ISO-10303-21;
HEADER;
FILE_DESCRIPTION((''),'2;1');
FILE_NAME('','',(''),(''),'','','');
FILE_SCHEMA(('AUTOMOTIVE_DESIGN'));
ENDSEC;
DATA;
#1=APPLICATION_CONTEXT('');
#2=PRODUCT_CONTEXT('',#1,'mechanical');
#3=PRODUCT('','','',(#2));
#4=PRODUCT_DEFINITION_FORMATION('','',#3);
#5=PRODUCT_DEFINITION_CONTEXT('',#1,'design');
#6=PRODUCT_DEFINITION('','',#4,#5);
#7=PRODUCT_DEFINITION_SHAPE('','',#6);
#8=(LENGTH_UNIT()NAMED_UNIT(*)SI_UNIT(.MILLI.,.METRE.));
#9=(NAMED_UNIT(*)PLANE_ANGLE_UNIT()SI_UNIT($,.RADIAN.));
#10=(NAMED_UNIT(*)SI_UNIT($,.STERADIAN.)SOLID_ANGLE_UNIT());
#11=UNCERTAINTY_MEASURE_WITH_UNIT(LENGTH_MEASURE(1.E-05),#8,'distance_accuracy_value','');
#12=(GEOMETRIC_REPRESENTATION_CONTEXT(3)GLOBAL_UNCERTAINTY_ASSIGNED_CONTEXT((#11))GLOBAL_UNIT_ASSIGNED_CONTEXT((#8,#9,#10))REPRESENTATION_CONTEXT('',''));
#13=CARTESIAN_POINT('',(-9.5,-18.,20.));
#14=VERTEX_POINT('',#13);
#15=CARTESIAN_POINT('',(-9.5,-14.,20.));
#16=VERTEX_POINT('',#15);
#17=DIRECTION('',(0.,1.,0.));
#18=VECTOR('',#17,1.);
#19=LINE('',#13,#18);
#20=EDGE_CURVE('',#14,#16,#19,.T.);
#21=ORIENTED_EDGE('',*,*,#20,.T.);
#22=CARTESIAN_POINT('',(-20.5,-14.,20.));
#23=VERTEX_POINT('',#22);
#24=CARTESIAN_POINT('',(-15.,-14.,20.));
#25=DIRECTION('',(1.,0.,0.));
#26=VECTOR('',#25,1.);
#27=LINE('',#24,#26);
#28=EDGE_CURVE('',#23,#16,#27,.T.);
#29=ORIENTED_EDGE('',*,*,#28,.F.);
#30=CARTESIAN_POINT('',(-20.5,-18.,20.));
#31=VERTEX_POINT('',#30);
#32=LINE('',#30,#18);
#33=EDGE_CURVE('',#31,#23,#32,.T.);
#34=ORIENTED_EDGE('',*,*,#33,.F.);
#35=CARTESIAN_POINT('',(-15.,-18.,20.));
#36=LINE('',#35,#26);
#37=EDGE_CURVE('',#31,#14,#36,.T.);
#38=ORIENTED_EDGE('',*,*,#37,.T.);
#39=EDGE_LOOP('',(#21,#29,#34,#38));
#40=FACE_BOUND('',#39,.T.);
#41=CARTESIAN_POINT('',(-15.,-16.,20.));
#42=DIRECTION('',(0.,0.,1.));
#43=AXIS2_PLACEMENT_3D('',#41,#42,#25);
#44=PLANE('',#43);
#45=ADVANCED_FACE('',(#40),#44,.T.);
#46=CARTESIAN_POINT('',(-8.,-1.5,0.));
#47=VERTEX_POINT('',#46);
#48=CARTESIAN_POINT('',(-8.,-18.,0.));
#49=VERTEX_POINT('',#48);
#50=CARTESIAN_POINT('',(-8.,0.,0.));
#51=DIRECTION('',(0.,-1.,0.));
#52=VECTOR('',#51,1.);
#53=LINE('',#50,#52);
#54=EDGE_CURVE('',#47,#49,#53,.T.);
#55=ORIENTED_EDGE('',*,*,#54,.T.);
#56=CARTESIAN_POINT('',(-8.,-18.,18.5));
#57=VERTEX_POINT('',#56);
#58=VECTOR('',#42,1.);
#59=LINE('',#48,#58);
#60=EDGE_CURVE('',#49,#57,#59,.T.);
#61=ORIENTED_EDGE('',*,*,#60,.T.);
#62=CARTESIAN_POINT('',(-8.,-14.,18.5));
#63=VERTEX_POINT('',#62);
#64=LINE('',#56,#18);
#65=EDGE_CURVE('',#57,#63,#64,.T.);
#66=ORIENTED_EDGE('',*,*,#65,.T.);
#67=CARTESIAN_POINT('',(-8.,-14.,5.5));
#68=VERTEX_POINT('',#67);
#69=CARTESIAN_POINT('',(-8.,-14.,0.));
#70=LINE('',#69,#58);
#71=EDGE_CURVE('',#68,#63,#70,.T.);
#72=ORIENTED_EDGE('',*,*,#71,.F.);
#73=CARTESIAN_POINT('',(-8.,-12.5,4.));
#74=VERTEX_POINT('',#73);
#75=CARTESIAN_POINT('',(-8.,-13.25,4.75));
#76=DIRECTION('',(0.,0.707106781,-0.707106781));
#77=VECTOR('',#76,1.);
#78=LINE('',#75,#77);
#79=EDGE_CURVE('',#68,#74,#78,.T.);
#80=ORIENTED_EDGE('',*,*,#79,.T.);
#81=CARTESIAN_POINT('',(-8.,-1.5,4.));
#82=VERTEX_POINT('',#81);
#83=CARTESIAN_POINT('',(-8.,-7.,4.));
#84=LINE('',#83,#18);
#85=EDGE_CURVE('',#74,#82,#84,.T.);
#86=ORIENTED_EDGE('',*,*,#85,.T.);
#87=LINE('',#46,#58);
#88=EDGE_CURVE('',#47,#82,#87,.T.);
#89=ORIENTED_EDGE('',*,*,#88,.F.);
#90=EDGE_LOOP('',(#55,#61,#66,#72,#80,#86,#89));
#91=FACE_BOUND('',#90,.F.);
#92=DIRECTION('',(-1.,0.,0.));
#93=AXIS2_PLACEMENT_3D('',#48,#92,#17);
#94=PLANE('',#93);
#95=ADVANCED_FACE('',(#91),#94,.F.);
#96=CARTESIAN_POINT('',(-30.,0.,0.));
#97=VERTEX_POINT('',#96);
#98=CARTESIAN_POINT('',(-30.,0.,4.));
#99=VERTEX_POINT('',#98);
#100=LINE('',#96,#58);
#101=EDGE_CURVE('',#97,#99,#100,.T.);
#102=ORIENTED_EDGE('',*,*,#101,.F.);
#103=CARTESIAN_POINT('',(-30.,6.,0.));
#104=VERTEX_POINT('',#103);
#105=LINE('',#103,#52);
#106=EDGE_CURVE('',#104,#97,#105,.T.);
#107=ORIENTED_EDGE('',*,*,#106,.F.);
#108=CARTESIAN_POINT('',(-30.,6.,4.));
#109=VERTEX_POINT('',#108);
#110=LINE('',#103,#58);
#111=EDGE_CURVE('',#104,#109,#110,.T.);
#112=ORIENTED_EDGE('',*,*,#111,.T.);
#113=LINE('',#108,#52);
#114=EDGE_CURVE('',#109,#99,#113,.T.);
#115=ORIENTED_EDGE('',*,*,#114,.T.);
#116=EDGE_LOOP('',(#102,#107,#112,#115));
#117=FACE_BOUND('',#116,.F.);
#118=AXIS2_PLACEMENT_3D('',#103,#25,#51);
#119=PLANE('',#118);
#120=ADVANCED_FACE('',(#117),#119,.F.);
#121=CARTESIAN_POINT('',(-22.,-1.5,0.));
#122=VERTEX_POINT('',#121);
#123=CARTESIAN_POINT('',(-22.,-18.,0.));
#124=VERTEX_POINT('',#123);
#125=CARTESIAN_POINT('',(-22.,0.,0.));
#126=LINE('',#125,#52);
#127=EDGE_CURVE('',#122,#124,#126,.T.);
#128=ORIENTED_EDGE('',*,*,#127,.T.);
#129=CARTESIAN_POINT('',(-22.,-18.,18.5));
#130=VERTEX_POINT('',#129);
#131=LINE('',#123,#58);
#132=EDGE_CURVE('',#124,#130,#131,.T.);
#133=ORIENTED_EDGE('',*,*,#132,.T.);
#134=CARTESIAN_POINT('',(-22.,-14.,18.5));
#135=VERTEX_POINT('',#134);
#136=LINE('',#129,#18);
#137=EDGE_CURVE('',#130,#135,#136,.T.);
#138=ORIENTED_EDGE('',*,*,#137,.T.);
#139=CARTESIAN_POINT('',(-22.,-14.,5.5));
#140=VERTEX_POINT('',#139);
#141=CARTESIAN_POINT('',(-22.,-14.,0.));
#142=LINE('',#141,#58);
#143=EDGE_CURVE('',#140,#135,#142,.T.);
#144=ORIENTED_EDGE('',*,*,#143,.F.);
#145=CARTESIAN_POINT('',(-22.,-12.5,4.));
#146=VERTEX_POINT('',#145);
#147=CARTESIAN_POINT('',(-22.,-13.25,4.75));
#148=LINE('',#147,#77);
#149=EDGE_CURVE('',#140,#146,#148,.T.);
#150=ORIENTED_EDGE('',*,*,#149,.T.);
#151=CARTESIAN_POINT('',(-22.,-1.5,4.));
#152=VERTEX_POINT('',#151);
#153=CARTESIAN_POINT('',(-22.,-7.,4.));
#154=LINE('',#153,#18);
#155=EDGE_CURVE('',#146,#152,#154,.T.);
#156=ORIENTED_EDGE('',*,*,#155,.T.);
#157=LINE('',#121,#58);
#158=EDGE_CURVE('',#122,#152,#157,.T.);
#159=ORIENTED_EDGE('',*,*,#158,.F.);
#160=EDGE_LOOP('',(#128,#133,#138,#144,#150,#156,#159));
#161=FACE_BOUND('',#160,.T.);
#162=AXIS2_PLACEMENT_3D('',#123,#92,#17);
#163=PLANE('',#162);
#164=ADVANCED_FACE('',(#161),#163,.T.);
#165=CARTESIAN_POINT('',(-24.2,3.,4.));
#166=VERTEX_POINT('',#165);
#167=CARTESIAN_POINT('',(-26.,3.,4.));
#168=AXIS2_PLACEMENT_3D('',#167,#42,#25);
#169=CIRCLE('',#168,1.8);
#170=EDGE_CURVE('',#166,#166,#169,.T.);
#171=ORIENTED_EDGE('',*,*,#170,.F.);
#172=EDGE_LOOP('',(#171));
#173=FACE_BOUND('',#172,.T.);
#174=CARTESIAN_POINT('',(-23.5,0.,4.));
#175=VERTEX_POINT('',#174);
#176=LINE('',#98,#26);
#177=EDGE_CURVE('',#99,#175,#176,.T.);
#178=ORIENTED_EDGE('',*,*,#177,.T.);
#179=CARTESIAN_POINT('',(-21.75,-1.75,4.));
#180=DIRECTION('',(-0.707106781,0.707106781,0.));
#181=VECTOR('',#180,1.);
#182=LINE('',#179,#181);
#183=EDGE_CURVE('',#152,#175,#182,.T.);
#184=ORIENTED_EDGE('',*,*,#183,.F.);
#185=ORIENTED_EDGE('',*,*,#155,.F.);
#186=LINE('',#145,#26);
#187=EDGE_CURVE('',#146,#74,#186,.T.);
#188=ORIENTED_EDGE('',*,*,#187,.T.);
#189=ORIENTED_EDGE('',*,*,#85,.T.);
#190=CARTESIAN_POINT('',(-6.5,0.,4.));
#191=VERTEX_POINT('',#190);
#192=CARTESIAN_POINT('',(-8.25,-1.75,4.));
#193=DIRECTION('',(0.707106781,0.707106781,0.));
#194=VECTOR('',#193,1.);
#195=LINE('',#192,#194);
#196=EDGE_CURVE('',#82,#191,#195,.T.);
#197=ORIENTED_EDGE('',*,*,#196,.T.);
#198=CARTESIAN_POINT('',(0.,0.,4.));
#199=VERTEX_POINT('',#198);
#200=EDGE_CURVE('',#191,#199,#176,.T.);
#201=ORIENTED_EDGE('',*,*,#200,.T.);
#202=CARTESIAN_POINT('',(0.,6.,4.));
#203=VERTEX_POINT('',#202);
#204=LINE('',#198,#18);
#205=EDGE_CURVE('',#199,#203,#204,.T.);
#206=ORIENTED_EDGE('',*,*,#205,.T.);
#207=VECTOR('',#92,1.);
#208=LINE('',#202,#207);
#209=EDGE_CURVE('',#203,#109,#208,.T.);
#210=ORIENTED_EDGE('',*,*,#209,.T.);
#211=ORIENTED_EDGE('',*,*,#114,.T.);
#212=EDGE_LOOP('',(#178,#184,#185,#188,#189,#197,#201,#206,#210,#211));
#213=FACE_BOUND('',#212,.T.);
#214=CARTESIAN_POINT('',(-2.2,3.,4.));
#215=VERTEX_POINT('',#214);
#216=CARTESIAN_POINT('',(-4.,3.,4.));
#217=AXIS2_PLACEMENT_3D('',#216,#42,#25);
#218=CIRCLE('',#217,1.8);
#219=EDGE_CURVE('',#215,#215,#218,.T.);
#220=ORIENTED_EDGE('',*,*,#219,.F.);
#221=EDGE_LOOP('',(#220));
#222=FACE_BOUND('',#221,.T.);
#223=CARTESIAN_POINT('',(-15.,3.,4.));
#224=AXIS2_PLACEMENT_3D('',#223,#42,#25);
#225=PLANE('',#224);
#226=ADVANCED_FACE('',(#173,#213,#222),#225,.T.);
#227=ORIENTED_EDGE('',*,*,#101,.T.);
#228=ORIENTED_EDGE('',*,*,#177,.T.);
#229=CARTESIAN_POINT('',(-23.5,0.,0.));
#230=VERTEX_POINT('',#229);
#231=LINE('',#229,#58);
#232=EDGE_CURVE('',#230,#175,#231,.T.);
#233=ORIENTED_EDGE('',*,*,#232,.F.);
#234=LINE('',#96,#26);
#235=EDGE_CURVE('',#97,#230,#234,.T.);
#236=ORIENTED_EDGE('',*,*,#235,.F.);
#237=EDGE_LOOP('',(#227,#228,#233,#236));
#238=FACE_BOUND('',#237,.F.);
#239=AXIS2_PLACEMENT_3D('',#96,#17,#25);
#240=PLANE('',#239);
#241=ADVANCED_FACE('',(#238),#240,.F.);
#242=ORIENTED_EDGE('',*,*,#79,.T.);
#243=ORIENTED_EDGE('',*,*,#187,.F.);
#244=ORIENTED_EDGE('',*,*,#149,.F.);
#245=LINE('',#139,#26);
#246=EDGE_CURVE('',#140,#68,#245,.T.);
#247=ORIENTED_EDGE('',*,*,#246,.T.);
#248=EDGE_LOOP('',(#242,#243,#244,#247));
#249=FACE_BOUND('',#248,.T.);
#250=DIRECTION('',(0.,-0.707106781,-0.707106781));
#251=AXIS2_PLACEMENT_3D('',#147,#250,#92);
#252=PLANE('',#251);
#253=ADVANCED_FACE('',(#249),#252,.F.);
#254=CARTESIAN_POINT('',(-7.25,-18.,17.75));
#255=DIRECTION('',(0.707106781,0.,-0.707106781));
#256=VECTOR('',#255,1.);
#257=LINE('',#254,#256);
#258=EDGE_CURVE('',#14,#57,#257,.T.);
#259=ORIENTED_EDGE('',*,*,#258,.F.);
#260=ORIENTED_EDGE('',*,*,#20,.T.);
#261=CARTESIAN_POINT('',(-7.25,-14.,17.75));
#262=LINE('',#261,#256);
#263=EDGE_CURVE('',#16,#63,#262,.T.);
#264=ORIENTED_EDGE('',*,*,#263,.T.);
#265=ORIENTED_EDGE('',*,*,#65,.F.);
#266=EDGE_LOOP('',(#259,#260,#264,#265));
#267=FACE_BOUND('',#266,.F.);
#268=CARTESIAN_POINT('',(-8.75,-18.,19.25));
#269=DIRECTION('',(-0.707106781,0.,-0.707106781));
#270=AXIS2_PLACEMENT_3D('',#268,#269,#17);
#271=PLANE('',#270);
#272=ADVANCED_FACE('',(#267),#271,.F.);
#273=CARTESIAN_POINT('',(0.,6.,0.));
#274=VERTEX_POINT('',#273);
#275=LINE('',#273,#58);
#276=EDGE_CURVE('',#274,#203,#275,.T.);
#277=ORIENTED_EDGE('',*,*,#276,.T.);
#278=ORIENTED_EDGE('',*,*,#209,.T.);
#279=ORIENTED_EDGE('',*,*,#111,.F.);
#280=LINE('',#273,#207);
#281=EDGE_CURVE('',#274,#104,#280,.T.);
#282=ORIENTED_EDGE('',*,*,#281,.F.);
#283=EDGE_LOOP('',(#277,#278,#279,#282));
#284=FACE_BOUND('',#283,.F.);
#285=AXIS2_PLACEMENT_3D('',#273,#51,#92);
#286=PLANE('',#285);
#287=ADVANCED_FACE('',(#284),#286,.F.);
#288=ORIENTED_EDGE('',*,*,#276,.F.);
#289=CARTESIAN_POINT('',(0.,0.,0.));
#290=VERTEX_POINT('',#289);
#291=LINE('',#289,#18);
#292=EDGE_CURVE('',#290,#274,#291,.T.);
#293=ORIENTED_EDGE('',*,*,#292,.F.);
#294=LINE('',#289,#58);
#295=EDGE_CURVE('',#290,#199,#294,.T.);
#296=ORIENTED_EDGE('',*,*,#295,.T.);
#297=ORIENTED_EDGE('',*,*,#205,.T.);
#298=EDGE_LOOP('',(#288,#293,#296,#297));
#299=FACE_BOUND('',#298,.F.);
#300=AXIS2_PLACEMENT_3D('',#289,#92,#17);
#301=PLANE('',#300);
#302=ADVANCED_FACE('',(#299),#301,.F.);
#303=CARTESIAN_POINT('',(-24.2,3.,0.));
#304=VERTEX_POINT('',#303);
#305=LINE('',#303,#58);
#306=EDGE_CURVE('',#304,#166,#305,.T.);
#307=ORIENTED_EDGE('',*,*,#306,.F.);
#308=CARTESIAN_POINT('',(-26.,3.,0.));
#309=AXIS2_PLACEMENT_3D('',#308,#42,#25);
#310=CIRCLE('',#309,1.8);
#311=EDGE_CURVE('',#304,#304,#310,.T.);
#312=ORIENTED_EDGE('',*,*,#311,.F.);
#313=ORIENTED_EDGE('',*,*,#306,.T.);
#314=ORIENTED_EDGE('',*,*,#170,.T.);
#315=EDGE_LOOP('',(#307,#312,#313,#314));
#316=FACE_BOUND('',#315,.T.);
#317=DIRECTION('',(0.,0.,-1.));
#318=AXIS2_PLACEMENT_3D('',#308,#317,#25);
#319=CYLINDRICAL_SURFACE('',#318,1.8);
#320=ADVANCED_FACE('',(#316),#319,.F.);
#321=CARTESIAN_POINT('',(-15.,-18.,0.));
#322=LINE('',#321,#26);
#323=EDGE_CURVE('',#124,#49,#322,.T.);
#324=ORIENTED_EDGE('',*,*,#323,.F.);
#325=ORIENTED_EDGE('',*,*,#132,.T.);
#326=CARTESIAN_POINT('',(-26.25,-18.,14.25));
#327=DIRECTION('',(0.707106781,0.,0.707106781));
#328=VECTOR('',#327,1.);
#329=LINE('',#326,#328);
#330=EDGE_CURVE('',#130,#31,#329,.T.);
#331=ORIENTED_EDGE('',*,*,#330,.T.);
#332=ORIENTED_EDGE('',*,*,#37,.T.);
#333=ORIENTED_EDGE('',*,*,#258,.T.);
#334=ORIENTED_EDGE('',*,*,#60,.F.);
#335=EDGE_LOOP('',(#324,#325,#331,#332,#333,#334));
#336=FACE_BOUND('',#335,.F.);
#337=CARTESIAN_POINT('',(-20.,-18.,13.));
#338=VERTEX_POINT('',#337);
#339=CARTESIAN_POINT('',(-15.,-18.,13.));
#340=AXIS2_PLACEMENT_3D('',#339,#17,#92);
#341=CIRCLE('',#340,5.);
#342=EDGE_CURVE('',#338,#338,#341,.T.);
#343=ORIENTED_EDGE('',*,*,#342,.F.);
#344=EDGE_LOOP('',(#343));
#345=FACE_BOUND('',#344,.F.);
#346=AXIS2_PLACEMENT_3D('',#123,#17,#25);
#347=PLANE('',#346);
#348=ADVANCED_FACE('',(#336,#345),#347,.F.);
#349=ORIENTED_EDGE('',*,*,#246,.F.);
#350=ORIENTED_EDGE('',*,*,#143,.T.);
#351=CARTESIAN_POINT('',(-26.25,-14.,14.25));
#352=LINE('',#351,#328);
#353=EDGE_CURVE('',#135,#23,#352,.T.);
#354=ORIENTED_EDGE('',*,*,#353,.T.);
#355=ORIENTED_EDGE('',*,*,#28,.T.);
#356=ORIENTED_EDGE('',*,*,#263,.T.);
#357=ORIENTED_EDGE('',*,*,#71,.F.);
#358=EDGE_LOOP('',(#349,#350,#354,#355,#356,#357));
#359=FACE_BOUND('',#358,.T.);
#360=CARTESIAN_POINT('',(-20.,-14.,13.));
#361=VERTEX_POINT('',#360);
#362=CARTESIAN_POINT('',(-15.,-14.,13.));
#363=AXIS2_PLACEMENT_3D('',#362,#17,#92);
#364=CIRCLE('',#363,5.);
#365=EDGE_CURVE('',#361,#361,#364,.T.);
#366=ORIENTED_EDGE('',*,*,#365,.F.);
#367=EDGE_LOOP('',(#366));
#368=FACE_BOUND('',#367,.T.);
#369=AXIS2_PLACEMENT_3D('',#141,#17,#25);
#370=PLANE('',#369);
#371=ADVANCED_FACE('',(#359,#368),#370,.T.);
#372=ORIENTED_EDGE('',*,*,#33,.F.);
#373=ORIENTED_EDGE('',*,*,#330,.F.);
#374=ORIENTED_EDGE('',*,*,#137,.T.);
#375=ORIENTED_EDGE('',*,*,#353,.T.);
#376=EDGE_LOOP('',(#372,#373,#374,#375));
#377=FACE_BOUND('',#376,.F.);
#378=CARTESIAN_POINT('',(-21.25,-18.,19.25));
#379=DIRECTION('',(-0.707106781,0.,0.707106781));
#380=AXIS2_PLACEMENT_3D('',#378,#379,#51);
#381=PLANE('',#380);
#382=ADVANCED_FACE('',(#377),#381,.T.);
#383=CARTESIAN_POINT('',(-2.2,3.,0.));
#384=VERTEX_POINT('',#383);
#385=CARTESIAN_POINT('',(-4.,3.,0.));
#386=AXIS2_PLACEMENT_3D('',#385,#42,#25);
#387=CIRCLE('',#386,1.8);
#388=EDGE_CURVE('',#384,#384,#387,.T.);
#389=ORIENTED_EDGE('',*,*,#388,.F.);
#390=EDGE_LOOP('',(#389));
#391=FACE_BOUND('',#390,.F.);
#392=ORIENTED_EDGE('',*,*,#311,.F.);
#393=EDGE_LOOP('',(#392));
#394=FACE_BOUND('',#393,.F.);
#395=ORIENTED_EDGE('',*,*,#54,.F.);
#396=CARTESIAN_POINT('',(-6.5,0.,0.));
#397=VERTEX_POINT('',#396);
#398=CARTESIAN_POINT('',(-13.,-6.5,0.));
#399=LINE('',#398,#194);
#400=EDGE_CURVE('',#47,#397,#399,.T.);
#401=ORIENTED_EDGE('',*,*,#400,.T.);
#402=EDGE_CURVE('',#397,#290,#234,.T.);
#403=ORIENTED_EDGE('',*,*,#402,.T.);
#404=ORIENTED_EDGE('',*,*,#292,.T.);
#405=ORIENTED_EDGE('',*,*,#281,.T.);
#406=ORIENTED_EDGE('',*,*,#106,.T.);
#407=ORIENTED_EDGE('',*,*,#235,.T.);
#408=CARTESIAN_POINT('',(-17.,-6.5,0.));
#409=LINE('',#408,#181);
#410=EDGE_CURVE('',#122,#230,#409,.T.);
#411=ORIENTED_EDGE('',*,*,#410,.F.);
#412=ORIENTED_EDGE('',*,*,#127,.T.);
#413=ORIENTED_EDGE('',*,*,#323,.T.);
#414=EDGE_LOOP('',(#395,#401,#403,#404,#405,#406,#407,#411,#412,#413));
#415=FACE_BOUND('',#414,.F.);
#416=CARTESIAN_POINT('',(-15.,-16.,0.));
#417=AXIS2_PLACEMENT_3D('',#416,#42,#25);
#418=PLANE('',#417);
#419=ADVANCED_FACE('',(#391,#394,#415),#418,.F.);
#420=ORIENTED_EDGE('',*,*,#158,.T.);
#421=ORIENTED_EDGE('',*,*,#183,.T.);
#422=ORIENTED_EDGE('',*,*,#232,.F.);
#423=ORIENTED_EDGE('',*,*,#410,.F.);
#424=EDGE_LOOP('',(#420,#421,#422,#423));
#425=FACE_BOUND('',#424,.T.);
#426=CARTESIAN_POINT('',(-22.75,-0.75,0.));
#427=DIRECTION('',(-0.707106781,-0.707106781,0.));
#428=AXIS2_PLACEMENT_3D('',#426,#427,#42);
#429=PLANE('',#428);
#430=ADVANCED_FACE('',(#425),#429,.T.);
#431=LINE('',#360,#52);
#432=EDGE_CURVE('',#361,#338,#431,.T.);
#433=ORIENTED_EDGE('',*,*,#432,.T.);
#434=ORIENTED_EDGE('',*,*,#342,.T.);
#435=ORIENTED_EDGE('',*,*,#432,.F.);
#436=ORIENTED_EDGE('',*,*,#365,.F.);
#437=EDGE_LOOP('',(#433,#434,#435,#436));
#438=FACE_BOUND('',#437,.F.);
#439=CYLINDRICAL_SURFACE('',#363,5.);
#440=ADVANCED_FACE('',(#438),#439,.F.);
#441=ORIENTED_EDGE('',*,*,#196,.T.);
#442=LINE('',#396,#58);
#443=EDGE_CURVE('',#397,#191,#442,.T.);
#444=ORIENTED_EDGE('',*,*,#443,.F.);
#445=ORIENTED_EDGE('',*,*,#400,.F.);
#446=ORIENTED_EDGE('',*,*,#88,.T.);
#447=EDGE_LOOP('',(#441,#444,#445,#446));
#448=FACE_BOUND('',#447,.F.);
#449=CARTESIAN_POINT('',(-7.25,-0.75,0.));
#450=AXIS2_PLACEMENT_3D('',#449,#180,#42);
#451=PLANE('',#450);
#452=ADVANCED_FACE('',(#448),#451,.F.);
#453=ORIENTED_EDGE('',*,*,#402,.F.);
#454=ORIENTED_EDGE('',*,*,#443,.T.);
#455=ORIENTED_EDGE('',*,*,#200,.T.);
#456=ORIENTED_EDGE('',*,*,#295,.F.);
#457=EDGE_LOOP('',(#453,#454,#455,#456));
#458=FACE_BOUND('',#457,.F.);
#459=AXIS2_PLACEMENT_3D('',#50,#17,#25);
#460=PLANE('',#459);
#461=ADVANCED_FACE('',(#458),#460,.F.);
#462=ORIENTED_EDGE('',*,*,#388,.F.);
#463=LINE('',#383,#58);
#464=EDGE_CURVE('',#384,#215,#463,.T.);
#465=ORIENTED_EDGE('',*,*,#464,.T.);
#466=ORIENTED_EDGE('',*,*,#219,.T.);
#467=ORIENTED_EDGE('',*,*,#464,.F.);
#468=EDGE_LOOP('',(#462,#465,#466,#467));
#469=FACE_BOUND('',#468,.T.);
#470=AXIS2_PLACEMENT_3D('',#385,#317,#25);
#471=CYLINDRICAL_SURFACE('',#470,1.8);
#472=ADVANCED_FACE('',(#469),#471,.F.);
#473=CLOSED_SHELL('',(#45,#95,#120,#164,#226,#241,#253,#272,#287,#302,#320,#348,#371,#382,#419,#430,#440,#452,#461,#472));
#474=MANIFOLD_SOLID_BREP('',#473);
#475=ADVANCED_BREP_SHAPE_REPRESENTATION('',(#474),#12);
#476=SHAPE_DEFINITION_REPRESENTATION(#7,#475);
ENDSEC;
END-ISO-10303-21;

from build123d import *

# Parameters (mm, degrees)
F0_R     = 1.8
F0_W     = 14
F0_H     = 14
F1_DEPTH = 4
F0_H_2   = 4
F2_DEPTH = 20
F3_R     = 5
F4_DEPTH = 4
F5_SIZE  = 1.5


with BuildPart() as f1:
    # F0 (on Top) → F1 (new body)
    with BuildSketch(Plane.XY):
        Polygon((0, 6), (-30, 6), (-30, 0), (-22, 0), (-8, 0), (0, 0), align=None)
        with Locations((-26, 3)):
            Circle(F0_R, mode=Mode.SUBTRACT)
        with Locations((-4, 3)):
            Circle(F0_R, mode=Mode.SUBTRACT)
        with Locations((-15, -7)):
            Rectangle(F0_W, F0_H)
    extrude(amount=F1_DEPTH)

    # F0 (on Top) → F2 (join)
    with BuildSketch(Plane.XY):
        with Locations((-15, -16)):
            Rectangle(F0_W, F0_H_2)
    extrude(amount=F2_DEPTH)

    # F3 (on face) → F4 (cut, through all)
    with BuildSketch(Plane(origin=(0, -14, 0), x_dir=(-1, 0, 0), z_dir=(0, 1, 0))):
        with Locations((15, 13)):
            Circle(F3_R)
    extrude(amount=-F4_DEPTH, mode=Mode.SUBTRACT)

    # F5
    f5_edges = [f1.edges().sort_by_distance(p)[0] for p in [
        (-15, -14, 4),
        (-22, -16, 20),
        (-8, -16, 20),
        (-22, 0, 2),
        (-8, 0, 2),
    ]]
    chamfer(f5_edges, length=F5_SIZE)


solid = f1.part
